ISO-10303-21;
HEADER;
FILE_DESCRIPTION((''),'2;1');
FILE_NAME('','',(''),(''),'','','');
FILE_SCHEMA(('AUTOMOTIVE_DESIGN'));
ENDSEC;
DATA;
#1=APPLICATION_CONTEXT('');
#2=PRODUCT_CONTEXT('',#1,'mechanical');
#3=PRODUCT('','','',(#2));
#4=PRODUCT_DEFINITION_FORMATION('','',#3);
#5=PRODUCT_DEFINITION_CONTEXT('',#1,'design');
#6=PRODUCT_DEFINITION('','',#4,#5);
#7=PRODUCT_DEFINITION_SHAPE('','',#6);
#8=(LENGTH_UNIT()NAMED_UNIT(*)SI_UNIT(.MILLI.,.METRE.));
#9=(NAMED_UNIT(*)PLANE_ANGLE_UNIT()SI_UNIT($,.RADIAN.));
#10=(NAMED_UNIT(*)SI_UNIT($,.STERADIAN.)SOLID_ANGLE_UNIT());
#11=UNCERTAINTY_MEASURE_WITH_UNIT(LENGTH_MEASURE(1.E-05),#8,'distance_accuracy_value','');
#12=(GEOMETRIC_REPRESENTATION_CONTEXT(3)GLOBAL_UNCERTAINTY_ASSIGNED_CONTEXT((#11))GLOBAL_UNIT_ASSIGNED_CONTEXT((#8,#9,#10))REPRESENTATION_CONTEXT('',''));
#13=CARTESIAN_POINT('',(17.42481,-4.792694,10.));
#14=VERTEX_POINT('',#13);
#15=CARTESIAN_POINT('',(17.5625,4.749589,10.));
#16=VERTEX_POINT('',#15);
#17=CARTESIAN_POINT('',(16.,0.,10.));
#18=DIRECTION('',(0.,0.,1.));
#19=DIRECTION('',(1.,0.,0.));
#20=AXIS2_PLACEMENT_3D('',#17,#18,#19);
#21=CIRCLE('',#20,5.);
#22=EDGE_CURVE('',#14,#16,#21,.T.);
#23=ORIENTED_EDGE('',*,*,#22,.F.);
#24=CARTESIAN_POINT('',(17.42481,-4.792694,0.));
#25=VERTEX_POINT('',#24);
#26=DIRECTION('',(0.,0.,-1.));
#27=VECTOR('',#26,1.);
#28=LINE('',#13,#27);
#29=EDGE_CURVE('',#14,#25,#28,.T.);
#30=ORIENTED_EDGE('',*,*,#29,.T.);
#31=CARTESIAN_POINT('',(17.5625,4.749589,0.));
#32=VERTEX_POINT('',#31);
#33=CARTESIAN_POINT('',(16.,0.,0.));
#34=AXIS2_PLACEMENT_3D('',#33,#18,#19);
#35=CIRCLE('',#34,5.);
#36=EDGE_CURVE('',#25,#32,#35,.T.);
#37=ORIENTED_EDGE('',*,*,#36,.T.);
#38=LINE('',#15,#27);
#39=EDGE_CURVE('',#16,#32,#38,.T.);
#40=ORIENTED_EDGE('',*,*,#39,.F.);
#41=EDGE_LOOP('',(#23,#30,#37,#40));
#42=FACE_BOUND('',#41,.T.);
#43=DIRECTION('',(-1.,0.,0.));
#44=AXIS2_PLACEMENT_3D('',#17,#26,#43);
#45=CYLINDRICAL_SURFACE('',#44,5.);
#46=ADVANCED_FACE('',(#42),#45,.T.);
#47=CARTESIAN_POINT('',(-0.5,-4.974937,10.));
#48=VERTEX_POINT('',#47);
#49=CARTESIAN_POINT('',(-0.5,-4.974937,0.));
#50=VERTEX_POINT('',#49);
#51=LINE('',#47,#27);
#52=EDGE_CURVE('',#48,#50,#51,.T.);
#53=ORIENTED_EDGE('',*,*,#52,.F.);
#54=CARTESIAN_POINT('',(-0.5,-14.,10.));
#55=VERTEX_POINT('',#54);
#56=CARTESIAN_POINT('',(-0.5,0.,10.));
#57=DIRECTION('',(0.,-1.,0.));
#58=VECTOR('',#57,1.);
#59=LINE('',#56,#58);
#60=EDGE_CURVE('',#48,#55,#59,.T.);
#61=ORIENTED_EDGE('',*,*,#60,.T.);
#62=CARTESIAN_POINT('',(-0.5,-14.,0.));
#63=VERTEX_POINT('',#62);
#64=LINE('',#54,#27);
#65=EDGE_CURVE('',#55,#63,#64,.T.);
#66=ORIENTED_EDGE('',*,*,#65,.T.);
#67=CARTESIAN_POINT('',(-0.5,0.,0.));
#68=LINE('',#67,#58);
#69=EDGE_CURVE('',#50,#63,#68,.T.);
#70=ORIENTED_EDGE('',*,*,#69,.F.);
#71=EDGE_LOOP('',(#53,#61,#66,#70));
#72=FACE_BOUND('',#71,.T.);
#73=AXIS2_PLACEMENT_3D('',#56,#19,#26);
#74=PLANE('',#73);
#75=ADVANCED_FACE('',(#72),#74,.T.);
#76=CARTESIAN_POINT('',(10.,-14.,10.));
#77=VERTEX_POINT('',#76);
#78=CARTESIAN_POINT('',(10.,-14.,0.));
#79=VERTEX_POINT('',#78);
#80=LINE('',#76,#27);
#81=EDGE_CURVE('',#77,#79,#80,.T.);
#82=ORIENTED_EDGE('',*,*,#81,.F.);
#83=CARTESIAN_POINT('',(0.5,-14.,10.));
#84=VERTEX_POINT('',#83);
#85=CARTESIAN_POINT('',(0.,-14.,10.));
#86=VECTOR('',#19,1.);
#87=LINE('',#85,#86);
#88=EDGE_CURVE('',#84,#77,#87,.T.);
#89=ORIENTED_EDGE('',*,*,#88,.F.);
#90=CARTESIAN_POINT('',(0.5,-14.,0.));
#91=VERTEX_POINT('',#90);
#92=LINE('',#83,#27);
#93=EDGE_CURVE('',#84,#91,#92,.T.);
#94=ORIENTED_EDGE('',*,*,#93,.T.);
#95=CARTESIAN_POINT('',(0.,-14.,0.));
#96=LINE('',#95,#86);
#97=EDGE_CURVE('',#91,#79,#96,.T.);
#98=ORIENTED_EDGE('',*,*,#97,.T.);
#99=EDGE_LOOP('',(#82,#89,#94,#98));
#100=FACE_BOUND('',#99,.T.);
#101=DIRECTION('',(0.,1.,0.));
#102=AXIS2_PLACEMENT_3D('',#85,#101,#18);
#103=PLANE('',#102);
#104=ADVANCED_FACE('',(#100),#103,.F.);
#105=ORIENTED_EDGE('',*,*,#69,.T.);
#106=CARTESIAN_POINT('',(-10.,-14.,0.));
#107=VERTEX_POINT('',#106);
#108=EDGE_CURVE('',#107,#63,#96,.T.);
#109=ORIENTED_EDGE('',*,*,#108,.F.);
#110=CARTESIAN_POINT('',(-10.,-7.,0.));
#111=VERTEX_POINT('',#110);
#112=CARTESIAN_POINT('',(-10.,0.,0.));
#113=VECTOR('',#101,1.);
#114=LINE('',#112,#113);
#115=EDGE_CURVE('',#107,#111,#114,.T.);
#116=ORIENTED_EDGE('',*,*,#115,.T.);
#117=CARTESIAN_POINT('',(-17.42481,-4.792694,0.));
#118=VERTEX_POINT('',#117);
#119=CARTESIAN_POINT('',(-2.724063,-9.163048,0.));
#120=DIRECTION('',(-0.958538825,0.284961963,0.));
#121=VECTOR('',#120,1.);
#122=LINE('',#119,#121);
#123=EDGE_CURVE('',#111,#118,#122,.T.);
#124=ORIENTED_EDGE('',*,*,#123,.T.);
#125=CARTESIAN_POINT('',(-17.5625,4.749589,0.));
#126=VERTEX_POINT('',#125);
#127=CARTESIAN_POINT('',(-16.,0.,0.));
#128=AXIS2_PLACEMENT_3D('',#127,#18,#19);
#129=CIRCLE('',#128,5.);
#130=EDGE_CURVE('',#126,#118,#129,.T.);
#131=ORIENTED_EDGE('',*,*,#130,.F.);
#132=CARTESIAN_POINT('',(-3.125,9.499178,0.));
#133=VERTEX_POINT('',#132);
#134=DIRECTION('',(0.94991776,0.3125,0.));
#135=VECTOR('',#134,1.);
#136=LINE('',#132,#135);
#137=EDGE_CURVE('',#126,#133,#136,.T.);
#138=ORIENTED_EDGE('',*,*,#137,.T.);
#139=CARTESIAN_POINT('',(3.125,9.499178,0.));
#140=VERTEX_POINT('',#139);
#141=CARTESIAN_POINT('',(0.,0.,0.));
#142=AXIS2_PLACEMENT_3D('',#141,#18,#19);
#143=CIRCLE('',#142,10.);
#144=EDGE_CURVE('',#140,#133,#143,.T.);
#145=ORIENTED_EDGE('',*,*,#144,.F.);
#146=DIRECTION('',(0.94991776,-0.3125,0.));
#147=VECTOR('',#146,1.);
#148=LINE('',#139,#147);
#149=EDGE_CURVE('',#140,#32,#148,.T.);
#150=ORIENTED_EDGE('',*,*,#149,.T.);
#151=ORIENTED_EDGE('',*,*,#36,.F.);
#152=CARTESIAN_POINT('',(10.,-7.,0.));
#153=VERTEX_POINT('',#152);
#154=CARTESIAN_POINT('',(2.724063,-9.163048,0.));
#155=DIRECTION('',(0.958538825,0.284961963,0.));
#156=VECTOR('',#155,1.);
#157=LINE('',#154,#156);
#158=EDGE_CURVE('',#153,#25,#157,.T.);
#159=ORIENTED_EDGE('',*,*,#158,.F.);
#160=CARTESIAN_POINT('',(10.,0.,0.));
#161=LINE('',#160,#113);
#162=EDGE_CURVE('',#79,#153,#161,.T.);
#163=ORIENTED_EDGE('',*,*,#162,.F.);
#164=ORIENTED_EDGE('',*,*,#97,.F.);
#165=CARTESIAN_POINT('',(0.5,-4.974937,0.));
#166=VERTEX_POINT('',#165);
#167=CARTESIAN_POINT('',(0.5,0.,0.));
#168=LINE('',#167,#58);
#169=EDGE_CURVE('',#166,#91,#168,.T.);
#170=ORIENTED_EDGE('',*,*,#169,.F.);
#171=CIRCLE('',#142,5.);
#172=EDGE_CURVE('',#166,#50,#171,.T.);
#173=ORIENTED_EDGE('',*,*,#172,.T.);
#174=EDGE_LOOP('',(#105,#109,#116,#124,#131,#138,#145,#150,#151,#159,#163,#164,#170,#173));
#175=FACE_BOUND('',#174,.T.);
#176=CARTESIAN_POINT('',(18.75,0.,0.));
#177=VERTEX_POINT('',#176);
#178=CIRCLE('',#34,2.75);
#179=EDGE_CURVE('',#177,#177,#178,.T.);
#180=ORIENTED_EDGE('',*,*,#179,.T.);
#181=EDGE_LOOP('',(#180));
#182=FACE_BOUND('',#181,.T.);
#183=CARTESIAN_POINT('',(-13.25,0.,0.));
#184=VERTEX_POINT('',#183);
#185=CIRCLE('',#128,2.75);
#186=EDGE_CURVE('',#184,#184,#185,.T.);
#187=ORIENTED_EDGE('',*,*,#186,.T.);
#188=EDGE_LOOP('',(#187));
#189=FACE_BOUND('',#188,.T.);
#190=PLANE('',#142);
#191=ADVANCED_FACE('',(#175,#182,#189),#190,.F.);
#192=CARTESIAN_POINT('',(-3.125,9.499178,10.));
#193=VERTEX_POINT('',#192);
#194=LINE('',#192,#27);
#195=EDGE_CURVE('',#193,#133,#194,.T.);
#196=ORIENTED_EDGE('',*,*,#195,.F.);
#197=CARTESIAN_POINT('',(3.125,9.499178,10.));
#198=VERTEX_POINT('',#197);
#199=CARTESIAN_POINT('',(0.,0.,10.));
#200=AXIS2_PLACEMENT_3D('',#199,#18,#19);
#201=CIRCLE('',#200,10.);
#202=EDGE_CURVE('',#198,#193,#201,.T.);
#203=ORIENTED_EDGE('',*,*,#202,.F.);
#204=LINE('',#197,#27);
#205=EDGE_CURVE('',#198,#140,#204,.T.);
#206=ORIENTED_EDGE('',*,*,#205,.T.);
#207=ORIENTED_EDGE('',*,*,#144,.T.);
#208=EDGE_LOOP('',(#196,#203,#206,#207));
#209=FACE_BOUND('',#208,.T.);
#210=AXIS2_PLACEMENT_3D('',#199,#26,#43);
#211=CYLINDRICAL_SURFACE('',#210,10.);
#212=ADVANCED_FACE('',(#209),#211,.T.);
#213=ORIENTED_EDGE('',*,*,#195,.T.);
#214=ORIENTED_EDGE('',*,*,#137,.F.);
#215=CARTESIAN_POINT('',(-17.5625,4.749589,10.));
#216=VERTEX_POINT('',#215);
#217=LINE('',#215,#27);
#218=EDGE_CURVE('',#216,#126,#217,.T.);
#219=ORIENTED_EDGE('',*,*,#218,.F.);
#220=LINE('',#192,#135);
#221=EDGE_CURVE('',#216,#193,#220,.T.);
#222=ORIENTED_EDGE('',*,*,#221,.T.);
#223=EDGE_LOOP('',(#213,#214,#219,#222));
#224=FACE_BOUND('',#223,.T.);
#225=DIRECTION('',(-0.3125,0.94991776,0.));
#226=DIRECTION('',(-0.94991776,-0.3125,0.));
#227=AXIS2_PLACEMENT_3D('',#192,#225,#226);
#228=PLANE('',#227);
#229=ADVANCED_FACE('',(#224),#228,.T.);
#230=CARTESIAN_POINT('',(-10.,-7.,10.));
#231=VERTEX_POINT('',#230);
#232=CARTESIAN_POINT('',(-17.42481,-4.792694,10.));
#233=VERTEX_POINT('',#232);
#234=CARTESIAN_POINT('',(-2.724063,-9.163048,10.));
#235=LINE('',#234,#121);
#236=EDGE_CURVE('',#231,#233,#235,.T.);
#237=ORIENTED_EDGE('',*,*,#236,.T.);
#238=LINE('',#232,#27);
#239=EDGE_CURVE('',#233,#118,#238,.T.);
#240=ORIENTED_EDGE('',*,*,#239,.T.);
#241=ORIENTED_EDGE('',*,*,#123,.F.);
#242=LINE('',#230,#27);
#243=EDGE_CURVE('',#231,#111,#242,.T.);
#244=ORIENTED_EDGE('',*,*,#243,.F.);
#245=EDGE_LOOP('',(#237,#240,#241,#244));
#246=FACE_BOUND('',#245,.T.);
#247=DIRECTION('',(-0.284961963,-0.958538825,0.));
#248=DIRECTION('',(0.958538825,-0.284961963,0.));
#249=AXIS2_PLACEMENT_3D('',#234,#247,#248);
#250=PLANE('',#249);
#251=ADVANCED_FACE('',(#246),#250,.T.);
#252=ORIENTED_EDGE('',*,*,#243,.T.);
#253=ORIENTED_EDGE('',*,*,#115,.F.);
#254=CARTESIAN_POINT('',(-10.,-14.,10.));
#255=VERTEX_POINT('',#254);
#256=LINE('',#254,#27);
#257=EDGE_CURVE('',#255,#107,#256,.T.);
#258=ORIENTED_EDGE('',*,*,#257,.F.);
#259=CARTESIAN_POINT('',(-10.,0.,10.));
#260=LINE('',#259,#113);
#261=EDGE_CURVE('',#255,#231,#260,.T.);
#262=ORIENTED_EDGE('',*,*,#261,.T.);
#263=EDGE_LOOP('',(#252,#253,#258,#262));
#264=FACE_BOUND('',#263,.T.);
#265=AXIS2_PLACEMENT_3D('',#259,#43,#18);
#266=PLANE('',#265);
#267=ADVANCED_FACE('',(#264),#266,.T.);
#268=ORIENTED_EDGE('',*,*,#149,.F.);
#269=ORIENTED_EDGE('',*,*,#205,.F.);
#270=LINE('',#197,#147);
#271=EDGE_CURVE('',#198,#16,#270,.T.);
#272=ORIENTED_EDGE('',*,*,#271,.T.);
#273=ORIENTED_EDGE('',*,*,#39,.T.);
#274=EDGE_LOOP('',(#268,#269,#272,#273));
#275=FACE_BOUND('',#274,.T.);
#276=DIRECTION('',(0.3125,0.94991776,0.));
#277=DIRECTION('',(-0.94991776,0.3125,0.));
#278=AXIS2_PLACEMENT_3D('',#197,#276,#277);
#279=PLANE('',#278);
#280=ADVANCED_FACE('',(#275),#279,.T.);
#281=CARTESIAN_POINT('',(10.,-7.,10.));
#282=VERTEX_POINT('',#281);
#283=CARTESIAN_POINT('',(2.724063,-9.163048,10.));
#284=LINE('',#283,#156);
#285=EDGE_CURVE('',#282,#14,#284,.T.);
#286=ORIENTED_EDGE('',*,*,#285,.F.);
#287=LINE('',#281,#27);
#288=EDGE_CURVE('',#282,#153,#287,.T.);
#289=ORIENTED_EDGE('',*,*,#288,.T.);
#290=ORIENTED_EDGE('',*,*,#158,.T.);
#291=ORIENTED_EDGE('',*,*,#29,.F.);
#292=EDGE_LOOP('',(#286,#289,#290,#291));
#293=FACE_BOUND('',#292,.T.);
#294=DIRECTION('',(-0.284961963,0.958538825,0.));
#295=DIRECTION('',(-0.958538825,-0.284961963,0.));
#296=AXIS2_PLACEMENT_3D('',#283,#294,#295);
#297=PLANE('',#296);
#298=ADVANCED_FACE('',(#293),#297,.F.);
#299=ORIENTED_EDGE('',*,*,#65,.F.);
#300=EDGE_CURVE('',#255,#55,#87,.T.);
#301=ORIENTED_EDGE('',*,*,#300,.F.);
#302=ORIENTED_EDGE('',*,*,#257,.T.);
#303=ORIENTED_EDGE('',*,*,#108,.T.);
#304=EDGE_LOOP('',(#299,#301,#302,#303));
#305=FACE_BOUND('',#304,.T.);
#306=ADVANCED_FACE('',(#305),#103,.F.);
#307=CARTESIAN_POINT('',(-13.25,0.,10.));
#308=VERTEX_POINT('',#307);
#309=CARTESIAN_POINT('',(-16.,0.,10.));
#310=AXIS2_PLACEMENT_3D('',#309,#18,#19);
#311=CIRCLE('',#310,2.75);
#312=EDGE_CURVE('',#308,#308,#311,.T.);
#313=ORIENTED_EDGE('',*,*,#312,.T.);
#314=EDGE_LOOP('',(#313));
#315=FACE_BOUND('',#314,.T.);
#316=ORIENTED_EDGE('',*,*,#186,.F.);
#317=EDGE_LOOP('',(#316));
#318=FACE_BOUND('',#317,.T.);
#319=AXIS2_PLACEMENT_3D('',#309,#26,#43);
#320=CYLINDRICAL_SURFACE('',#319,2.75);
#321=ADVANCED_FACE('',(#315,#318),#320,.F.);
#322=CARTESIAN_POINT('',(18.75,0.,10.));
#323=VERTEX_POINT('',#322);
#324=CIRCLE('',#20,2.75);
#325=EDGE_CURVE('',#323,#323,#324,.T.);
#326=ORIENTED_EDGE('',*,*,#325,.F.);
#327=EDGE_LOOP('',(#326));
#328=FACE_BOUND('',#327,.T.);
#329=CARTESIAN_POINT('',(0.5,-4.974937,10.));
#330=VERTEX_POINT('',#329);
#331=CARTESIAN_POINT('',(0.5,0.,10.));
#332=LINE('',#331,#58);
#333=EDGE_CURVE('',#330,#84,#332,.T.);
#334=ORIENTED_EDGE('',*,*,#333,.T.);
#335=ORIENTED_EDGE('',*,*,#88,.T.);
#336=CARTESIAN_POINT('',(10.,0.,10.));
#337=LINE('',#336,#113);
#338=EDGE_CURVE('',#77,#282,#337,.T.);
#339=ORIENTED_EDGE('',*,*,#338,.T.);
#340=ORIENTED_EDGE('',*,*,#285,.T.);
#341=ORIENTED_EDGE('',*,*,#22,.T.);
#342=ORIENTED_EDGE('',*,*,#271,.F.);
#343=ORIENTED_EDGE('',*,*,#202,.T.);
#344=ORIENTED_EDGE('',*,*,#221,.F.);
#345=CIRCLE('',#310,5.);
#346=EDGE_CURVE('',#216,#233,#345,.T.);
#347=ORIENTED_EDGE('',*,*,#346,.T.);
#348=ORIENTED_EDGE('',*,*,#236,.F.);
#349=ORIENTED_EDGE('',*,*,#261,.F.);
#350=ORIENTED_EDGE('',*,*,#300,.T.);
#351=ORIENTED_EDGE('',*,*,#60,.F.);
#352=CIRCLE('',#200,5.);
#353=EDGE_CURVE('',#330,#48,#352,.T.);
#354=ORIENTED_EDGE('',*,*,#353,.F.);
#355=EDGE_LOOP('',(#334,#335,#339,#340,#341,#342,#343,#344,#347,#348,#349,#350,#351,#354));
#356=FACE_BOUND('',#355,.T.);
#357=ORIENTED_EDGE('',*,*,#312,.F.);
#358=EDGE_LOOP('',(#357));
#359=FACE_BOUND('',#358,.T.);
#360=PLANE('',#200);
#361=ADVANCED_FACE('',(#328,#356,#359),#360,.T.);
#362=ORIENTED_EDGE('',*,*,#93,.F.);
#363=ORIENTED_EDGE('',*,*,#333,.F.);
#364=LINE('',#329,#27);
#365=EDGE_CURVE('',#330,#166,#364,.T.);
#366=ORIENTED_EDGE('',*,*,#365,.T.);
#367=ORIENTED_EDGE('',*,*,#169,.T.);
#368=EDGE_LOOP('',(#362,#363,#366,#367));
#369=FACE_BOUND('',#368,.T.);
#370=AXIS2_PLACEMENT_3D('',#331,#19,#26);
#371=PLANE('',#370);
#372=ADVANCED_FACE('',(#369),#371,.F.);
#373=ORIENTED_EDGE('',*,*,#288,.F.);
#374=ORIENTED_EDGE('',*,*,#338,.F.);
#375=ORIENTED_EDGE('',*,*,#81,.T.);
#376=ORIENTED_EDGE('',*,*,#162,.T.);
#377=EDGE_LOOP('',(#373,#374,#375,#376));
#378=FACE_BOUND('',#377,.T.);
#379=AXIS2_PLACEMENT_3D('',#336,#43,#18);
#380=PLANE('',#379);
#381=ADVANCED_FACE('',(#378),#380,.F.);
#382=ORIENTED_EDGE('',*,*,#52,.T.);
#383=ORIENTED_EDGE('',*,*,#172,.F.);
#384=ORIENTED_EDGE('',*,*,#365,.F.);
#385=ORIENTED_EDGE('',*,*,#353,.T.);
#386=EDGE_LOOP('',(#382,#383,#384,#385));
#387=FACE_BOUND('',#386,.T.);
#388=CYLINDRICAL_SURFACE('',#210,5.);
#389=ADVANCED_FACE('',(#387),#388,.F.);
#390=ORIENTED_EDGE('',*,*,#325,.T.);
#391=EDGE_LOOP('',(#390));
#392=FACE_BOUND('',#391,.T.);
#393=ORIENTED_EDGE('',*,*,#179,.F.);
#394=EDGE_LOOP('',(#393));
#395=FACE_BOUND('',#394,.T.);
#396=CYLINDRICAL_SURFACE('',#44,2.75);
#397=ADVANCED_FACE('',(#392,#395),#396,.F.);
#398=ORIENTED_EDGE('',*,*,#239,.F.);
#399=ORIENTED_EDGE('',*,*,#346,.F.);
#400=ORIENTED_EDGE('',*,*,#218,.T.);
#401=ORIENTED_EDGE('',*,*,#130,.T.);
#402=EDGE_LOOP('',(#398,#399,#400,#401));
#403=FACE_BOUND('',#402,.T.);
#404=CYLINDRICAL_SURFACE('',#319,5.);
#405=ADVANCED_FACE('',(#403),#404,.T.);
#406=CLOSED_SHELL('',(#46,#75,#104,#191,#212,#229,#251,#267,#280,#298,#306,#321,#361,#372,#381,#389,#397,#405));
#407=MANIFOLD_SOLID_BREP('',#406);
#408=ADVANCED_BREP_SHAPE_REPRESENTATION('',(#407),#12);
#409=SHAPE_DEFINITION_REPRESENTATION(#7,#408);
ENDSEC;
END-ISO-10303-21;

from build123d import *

# Parameters (mm, degrees)
SKETCH_1_R      = 5
SKETCH_1_R_2    = 2.75
EXTRUDE_1_DEPTH = 10


with BuildPart() as part:
    # 草图1 → 凸台-拉伸1 (new body)
    # profile 1 of 5: a face of its own
    with BuildSketch(Plane.XY):
        with BuildLine():
            ThreePointArc((3.125, 9.499177596), (0, 10), (-3.125, 9.499177596))
            ThreePointArc((-3.125, 9.499177596), (-9.91048591, -1.335016492), (-0.5, -9.987492178))
            Line((-0.5, -9.987492178), (-0.5, -7.481214682))
            Line((-0.5, -7.481214682), (-0.5, -4.974937186))
            ThreePointArc((-0.5, -4.974937186), (-3.354101966, 3.708099244), (5, 0))
            ThreePointArc((5, 0), (3.708099244, -3.354101966), (0.5, -4.974937186))
            Line((0.5, -4.974937186), (0.5, -7.481214682))
            Line((0.5, -7.481214682), (0.5, -9.987492178))
            ThreePointArc((0.5, -9.987492178), (7.245688373, -6.892024376), (10, 0))
            ThreePointArc((10, 0), (8.100925873, 5.8630197), (3.125, 9.499177596))
        make_face()
    # profile 2 of 5: a face of its own
    with BuildSketch(Plane.XY):
        with BuildLine():
            Line((-3.125, 9.499177596), (-17.5625, 4.749588798))
            ThreePointArc((-17.5625, 4.749588798), (-13.06849015, 4.050462937), (-11, 0))
            ThreePointArc((-11, 0), (-13.010355295, -4.007745568), (-17.424809815, -4.792694127))
            Line((-17.424809815, -4.792694127), (-10, -7))
            Line((-10, -7), (-10, -14))
            Line((-10, -14), (-0.5, -14))
            Line((-0.5, -14), (-0.5, -9.987492178))
            ThreePointArc((-0.5, -9.987492178), (-9.91048591, -1.335016492), (-3.125, 9.499177596))
        make_face()
    # profile 3 of 5: a face of its own
    with BuildSketch(Plane.XY):
        with Locations((-16, 0)):
            Circle(SKETCH_1_R)
        with Locations((-16, 0)):
            Circle(SKETCH_1_R_2, mode=Mode.SUBTRACT)
    # profile 4 of 5: a face of its own
    with BuildSketch(Plane.XY):
        with BuildLine():
            Line((17.5625, 4.749588798), (3.125, 9.499177596))
            ThreePointArc((3.125, 9.499177596), (8.100925873, 5.8630197), (10, 0))
            ThreePointArc((10, 0), (7.245688373, -6.892024376), (0.5, -9.987492178))
            Line((0.5, -9.987492178), (0.5, -14))
            Line((0.5, -14), (10, -14))
            Line((10, -14), (10, -7))
            Line((10, -7), (17.424809815, -4.792694127))
            ThreePointArc((17.424809815, -4.792694127), (11.000520443, 0.072139893), (17.5625, 4.749588798))
        make_face()
    # profile 5 of 5: a face of its own
    with BuildSketch(Plane.XY):
        with Locations((16, 0)):
            Circle(SKETCH_1_R)
        with Locations((16, 0)):
            Circle(SKETCH_1_R_2, mode=Mode.SUBTRACT)
    extrude(amount=EXTRUDE_1_DEPTH)


solid = part.part
